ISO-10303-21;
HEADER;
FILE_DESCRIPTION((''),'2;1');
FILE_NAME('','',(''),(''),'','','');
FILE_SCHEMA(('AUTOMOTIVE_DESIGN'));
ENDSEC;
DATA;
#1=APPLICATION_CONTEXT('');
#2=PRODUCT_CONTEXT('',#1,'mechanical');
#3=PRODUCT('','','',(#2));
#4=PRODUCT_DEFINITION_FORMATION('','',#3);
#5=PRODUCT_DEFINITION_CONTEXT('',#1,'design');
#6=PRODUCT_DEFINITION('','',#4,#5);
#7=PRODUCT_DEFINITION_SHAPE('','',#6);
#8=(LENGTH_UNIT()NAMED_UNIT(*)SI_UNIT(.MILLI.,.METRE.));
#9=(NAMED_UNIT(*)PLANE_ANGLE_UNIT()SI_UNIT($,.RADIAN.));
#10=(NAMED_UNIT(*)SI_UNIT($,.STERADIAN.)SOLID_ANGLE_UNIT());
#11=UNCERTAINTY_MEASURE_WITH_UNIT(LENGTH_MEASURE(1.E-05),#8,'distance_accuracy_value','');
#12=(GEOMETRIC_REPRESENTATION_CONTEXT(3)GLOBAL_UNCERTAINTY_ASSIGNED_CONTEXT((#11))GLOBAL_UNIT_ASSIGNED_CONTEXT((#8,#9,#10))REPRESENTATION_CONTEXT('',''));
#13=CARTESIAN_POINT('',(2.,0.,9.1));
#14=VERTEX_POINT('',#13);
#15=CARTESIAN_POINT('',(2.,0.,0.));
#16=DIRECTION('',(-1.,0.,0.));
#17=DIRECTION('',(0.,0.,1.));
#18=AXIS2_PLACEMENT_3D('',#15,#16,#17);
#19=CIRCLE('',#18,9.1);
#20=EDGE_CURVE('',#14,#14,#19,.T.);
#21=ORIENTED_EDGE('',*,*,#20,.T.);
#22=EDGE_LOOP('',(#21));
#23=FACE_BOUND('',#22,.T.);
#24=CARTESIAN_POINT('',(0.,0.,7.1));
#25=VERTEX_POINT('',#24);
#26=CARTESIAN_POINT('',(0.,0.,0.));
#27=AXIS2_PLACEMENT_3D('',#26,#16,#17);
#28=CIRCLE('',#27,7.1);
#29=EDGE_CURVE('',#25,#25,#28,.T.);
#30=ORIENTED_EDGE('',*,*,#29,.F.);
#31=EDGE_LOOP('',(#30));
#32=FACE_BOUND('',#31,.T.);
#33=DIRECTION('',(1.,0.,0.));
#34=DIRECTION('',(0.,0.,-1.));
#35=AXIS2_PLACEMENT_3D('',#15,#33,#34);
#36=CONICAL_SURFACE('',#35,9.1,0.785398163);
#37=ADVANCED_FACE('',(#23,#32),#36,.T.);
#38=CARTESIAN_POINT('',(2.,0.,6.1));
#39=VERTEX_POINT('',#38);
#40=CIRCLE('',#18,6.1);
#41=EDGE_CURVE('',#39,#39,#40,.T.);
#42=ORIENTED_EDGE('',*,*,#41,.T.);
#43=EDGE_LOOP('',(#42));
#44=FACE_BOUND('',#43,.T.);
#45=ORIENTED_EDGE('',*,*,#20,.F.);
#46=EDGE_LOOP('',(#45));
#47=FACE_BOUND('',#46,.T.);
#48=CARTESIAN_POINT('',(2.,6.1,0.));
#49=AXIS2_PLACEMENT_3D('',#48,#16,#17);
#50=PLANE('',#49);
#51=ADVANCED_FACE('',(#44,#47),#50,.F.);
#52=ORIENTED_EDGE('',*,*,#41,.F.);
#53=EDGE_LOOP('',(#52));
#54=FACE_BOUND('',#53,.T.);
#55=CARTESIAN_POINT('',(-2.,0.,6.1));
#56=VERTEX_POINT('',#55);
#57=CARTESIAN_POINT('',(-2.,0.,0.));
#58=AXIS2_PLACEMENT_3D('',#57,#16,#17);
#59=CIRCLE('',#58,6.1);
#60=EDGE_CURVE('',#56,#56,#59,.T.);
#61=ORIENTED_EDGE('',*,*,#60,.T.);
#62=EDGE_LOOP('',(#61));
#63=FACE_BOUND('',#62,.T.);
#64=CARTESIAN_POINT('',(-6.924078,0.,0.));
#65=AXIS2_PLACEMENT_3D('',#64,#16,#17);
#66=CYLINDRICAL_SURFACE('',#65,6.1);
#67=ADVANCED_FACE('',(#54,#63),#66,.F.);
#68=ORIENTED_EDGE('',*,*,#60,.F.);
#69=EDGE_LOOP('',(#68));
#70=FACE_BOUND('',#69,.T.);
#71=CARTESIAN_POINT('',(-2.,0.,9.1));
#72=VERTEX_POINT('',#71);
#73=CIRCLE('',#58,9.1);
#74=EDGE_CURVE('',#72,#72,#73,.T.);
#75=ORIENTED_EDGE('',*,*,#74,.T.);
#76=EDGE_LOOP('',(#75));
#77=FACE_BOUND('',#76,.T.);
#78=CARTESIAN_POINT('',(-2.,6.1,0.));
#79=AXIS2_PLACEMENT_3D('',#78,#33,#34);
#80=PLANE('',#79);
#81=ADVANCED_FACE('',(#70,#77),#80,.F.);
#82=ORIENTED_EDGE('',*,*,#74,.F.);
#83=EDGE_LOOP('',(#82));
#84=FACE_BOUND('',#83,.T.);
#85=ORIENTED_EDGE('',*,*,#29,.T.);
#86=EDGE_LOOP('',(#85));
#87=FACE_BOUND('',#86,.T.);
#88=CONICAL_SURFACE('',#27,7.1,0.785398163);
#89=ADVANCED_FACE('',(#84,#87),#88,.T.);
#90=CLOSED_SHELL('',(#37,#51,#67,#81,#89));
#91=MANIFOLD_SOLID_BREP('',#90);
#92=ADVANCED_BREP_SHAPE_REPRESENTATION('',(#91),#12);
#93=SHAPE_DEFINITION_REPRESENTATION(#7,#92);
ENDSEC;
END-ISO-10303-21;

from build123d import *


with BuildPart() as part:
    # Sketch5 → Revolve4 (revolve)
    with BuildSketch(Plane.XY, mode=Mode.PRIVATE) as revolve4_sk:
        Polygon((-2, 6.1), (2, 6.1), (2, 9.1), (0, 7.1), (-2, 9.1), align=None)
    revolve(revolve4_sk.sketch.rotate(Axis((-6.924078091, 0, 0), (1, 0, 0)), 90), axis=Axis((-6.924078091, 0, 0), (1, 0, 0)))


solid = part.part
